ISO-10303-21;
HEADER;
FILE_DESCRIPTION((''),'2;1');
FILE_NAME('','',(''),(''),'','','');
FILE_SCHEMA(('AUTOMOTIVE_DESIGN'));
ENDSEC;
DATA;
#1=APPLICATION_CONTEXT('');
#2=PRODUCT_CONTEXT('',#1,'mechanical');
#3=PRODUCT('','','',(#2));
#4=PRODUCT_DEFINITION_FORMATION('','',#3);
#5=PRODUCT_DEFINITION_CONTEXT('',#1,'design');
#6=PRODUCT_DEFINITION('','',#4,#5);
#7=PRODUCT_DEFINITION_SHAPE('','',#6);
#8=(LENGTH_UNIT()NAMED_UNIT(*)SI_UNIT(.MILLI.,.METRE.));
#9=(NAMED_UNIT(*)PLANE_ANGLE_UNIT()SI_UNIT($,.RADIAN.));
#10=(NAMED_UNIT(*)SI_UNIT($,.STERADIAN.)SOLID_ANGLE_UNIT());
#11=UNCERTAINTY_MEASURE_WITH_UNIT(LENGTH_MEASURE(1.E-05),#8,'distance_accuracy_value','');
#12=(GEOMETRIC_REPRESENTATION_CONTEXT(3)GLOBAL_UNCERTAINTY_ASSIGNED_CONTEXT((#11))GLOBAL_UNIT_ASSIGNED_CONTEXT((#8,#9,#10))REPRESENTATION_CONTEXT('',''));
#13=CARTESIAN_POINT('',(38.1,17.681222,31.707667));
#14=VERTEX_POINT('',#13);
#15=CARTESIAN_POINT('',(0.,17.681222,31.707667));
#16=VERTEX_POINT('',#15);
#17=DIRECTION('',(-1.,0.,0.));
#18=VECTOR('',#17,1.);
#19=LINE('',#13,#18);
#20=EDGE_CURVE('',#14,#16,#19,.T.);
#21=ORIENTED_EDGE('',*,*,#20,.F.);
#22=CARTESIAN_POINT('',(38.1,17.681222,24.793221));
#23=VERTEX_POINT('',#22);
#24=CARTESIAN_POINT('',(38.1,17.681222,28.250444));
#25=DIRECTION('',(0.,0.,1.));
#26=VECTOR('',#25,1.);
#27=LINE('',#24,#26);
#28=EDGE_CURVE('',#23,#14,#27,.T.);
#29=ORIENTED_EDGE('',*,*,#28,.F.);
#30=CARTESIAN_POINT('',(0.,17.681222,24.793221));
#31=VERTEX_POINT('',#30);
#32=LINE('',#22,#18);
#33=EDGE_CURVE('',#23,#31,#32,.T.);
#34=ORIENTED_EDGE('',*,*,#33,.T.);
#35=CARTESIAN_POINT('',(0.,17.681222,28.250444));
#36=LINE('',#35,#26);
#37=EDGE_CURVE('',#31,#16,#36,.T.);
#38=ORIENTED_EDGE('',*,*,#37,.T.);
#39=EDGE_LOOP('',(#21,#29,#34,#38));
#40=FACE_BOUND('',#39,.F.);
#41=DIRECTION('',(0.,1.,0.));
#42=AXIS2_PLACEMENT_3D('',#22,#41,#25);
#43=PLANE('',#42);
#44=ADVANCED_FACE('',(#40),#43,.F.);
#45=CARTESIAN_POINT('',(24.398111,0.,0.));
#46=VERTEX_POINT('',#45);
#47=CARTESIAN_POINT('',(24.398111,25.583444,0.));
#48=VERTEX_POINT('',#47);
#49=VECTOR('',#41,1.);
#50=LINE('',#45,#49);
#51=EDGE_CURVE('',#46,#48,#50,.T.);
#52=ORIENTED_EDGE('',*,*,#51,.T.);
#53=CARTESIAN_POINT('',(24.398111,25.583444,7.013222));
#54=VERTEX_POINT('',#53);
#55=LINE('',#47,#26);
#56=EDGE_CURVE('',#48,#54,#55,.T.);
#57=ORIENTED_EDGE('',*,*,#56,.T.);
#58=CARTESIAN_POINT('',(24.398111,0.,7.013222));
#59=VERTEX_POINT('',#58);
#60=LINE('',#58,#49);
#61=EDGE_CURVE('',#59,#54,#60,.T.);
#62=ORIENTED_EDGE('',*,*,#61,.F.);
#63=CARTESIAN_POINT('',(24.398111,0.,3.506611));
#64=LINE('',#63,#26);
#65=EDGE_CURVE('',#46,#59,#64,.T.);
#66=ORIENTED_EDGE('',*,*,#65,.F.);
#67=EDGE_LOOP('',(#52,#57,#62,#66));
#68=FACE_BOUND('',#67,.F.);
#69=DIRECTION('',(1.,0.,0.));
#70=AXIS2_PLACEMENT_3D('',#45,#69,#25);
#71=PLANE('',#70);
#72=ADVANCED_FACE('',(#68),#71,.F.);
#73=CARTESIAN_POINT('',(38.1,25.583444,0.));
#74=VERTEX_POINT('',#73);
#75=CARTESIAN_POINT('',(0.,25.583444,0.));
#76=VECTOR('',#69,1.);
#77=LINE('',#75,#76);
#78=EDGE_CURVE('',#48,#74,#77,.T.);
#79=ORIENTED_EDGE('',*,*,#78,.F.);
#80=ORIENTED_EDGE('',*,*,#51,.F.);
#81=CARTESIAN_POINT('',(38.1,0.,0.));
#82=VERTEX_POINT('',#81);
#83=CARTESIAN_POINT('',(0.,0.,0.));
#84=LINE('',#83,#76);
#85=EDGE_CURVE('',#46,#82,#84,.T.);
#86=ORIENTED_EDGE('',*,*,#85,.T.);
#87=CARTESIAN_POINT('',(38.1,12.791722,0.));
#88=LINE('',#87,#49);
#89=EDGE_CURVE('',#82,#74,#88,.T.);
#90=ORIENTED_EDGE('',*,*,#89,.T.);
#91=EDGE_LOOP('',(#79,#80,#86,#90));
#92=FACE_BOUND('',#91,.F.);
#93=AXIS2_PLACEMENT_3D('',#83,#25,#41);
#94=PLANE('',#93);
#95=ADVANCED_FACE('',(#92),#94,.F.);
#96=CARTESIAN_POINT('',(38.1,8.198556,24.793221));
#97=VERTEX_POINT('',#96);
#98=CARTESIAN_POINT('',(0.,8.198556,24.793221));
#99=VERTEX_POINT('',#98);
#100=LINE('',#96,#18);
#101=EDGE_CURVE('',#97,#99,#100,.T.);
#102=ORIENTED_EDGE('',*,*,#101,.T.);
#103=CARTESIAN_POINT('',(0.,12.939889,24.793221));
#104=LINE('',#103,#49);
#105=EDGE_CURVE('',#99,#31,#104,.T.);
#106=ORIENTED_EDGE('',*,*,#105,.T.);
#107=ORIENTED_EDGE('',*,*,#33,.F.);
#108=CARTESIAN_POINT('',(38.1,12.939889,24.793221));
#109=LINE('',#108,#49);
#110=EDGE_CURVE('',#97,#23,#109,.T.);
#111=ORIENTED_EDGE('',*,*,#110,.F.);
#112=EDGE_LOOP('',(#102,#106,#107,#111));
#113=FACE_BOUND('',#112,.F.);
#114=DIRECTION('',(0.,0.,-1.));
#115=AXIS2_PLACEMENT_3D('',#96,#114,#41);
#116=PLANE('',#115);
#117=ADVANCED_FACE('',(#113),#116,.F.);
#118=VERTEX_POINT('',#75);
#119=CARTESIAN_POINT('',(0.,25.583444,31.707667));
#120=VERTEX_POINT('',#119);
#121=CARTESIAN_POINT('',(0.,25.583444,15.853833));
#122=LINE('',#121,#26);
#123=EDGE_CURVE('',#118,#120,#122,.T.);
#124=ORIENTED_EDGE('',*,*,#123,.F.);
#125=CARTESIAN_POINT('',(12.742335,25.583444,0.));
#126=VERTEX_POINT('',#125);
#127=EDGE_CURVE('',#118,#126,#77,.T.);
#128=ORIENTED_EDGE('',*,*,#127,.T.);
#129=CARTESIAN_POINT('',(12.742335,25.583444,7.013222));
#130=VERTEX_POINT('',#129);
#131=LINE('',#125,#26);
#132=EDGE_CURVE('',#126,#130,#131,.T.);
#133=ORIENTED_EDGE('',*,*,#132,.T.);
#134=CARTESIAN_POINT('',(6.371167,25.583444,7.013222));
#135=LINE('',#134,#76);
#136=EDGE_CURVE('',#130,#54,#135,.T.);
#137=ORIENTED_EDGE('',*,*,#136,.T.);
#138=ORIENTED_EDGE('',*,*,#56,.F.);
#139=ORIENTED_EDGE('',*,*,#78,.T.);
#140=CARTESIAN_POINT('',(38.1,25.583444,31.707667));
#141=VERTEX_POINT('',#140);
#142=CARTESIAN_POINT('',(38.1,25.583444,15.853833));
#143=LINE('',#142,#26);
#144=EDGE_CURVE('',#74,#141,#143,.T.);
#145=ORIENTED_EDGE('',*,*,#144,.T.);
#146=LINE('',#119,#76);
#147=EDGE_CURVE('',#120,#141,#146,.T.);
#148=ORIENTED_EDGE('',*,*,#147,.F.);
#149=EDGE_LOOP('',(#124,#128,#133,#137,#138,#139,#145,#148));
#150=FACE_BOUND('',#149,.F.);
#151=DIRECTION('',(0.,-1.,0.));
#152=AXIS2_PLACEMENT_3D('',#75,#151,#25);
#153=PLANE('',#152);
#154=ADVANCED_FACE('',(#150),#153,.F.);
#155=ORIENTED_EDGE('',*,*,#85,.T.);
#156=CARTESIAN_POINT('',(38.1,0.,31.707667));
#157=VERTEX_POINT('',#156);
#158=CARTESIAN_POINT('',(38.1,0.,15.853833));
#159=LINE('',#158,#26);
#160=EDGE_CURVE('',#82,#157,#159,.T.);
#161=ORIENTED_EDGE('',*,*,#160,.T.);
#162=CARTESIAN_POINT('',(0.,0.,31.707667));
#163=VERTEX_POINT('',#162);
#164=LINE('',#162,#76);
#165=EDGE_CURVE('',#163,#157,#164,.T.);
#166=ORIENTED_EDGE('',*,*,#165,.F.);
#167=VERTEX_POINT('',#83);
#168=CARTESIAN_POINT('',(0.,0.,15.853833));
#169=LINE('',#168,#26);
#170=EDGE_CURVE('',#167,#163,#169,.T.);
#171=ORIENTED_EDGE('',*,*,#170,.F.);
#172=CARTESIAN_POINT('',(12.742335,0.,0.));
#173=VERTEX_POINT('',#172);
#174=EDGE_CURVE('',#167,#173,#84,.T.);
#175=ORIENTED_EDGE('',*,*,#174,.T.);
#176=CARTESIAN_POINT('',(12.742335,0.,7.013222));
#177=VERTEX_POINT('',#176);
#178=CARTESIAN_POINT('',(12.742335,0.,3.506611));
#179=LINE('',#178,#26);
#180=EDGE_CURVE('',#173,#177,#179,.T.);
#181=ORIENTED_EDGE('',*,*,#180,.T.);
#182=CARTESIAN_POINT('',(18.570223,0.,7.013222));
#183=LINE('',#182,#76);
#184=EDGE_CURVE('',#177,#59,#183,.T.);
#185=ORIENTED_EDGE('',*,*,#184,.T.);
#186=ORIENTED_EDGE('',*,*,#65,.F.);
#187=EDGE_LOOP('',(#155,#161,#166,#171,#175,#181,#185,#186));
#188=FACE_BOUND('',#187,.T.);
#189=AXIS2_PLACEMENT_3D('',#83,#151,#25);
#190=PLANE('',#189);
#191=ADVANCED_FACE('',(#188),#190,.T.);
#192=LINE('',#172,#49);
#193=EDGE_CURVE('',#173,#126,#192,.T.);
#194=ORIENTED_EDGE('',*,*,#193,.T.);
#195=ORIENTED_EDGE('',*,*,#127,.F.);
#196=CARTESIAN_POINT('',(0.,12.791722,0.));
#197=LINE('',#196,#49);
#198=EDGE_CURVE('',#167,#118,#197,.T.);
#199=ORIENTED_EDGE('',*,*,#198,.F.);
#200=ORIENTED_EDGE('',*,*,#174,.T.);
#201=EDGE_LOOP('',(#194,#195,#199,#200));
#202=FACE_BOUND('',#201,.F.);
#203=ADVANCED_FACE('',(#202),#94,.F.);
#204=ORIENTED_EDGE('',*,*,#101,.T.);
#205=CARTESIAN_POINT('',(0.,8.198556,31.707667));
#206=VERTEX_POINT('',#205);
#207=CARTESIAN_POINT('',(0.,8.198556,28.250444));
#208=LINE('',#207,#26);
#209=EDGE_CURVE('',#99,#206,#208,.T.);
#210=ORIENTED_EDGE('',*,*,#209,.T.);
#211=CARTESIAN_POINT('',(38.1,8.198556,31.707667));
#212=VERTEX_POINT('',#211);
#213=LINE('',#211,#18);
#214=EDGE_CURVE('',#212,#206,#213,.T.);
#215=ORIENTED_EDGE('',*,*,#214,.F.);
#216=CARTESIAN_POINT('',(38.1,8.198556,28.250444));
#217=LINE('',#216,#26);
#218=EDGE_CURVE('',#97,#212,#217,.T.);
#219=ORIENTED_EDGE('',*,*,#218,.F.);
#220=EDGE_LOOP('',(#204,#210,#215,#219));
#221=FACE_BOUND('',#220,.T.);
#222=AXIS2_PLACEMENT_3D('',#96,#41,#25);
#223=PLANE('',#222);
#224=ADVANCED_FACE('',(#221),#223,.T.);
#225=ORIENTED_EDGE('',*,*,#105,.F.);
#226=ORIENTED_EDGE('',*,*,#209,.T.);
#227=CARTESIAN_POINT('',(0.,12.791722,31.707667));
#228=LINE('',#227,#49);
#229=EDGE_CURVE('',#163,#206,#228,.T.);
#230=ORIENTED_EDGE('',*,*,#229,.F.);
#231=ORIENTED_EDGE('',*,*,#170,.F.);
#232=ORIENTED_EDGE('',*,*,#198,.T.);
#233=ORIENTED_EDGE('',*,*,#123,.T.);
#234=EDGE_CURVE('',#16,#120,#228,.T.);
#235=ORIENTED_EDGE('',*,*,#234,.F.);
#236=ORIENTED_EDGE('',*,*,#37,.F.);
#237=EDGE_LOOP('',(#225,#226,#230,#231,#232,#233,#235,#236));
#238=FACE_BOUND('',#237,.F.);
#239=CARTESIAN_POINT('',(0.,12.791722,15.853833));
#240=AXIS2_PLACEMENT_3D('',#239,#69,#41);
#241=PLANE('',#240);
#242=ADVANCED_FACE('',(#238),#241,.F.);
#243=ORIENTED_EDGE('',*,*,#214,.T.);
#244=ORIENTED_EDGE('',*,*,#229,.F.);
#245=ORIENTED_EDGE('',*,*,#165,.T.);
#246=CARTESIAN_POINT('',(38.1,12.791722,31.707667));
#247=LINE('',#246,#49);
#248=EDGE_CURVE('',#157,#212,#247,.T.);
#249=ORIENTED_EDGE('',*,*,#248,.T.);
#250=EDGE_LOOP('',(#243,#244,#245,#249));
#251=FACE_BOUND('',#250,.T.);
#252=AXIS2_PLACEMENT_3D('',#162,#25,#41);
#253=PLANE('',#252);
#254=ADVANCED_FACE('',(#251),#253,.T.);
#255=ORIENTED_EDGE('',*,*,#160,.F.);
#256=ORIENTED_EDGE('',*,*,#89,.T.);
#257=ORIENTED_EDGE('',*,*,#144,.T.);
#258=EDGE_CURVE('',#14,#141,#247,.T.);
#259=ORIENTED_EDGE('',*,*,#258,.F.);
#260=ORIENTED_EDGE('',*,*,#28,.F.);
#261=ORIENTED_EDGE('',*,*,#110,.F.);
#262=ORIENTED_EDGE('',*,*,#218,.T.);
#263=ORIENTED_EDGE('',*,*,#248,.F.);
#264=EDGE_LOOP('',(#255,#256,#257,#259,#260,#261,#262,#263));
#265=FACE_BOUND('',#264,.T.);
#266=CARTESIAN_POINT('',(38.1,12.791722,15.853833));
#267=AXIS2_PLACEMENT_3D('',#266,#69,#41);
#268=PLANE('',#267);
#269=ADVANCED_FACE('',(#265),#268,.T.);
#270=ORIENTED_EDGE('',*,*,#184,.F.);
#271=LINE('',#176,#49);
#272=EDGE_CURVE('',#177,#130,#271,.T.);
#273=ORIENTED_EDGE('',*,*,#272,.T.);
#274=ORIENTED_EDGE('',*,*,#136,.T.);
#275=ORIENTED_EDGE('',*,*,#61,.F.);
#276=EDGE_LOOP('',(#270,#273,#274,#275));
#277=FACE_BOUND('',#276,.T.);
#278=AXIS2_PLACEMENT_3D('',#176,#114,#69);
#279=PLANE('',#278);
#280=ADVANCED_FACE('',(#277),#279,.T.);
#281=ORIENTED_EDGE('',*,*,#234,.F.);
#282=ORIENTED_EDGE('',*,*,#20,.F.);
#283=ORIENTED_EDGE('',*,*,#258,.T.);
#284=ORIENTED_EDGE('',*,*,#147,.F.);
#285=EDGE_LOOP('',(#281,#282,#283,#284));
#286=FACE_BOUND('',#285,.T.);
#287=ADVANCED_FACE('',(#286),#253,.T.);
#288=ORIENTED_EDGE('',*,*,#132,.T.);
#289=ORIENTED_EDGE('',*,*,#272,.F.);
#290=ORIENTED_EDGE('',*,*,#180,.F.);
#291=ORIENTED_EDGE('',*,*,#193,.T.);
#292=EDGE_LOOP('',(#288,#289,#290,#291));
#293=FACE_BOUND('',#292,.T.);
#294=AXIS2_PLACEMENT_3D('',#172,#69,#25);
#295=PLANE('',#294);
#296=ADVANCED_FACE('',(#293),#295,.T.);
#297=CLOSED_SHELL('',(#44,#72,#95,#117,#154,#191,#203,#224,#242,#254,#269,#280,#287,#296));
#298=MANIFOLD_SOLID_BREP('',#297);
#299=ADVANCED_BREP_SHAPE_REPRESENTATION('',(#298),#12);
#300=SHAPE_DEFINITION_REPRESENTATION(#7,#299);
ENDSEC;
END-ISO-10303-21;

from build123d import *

# Parameters (mm, degrees)
F0_W     = 25.5834441632
F0_H     = 31.7076668143
F1_DEPTH = 38.1
F2_W     = 9.4826659188
F2_H     = 6.9144461304
F3_DEPTH = 38.1
F4_W     = 11.6557758301
F4_H     = 7.0132222027
F5_DEPTH = 38.1


with BuildPart() as f1:
    # F0 (on Right) → F1 (new body)
    with BuildSketch(Plane.YZ):
        with Locations((12.7917220816, 15.8538334072)):
            Rectangle(F0_W, F0_H)
    extrude(amount=F1_DEPTH)

    # F2 (on face) → F3 (cut)
    with BuildSketch(Plane.YZ.offset(38.1)):
        with Locations((12.9398894496, 28.2504437491)):
            Rectangle(F2_W, F2_H)
    extrude(amount=-F3_DEPTH, mode=Mode.SUBTRACT)

    # F4 (on face) → F5 (cut)
    with BuildSketch(Plane.XZ):
        with Locations((18.5702228919, 3.5066111013)):
            Rectangle(F4_W, F4_H)
    extrude(amount=-F5_DEPTH, mode=Mode.SUBTRACT)


solid = f1.part
